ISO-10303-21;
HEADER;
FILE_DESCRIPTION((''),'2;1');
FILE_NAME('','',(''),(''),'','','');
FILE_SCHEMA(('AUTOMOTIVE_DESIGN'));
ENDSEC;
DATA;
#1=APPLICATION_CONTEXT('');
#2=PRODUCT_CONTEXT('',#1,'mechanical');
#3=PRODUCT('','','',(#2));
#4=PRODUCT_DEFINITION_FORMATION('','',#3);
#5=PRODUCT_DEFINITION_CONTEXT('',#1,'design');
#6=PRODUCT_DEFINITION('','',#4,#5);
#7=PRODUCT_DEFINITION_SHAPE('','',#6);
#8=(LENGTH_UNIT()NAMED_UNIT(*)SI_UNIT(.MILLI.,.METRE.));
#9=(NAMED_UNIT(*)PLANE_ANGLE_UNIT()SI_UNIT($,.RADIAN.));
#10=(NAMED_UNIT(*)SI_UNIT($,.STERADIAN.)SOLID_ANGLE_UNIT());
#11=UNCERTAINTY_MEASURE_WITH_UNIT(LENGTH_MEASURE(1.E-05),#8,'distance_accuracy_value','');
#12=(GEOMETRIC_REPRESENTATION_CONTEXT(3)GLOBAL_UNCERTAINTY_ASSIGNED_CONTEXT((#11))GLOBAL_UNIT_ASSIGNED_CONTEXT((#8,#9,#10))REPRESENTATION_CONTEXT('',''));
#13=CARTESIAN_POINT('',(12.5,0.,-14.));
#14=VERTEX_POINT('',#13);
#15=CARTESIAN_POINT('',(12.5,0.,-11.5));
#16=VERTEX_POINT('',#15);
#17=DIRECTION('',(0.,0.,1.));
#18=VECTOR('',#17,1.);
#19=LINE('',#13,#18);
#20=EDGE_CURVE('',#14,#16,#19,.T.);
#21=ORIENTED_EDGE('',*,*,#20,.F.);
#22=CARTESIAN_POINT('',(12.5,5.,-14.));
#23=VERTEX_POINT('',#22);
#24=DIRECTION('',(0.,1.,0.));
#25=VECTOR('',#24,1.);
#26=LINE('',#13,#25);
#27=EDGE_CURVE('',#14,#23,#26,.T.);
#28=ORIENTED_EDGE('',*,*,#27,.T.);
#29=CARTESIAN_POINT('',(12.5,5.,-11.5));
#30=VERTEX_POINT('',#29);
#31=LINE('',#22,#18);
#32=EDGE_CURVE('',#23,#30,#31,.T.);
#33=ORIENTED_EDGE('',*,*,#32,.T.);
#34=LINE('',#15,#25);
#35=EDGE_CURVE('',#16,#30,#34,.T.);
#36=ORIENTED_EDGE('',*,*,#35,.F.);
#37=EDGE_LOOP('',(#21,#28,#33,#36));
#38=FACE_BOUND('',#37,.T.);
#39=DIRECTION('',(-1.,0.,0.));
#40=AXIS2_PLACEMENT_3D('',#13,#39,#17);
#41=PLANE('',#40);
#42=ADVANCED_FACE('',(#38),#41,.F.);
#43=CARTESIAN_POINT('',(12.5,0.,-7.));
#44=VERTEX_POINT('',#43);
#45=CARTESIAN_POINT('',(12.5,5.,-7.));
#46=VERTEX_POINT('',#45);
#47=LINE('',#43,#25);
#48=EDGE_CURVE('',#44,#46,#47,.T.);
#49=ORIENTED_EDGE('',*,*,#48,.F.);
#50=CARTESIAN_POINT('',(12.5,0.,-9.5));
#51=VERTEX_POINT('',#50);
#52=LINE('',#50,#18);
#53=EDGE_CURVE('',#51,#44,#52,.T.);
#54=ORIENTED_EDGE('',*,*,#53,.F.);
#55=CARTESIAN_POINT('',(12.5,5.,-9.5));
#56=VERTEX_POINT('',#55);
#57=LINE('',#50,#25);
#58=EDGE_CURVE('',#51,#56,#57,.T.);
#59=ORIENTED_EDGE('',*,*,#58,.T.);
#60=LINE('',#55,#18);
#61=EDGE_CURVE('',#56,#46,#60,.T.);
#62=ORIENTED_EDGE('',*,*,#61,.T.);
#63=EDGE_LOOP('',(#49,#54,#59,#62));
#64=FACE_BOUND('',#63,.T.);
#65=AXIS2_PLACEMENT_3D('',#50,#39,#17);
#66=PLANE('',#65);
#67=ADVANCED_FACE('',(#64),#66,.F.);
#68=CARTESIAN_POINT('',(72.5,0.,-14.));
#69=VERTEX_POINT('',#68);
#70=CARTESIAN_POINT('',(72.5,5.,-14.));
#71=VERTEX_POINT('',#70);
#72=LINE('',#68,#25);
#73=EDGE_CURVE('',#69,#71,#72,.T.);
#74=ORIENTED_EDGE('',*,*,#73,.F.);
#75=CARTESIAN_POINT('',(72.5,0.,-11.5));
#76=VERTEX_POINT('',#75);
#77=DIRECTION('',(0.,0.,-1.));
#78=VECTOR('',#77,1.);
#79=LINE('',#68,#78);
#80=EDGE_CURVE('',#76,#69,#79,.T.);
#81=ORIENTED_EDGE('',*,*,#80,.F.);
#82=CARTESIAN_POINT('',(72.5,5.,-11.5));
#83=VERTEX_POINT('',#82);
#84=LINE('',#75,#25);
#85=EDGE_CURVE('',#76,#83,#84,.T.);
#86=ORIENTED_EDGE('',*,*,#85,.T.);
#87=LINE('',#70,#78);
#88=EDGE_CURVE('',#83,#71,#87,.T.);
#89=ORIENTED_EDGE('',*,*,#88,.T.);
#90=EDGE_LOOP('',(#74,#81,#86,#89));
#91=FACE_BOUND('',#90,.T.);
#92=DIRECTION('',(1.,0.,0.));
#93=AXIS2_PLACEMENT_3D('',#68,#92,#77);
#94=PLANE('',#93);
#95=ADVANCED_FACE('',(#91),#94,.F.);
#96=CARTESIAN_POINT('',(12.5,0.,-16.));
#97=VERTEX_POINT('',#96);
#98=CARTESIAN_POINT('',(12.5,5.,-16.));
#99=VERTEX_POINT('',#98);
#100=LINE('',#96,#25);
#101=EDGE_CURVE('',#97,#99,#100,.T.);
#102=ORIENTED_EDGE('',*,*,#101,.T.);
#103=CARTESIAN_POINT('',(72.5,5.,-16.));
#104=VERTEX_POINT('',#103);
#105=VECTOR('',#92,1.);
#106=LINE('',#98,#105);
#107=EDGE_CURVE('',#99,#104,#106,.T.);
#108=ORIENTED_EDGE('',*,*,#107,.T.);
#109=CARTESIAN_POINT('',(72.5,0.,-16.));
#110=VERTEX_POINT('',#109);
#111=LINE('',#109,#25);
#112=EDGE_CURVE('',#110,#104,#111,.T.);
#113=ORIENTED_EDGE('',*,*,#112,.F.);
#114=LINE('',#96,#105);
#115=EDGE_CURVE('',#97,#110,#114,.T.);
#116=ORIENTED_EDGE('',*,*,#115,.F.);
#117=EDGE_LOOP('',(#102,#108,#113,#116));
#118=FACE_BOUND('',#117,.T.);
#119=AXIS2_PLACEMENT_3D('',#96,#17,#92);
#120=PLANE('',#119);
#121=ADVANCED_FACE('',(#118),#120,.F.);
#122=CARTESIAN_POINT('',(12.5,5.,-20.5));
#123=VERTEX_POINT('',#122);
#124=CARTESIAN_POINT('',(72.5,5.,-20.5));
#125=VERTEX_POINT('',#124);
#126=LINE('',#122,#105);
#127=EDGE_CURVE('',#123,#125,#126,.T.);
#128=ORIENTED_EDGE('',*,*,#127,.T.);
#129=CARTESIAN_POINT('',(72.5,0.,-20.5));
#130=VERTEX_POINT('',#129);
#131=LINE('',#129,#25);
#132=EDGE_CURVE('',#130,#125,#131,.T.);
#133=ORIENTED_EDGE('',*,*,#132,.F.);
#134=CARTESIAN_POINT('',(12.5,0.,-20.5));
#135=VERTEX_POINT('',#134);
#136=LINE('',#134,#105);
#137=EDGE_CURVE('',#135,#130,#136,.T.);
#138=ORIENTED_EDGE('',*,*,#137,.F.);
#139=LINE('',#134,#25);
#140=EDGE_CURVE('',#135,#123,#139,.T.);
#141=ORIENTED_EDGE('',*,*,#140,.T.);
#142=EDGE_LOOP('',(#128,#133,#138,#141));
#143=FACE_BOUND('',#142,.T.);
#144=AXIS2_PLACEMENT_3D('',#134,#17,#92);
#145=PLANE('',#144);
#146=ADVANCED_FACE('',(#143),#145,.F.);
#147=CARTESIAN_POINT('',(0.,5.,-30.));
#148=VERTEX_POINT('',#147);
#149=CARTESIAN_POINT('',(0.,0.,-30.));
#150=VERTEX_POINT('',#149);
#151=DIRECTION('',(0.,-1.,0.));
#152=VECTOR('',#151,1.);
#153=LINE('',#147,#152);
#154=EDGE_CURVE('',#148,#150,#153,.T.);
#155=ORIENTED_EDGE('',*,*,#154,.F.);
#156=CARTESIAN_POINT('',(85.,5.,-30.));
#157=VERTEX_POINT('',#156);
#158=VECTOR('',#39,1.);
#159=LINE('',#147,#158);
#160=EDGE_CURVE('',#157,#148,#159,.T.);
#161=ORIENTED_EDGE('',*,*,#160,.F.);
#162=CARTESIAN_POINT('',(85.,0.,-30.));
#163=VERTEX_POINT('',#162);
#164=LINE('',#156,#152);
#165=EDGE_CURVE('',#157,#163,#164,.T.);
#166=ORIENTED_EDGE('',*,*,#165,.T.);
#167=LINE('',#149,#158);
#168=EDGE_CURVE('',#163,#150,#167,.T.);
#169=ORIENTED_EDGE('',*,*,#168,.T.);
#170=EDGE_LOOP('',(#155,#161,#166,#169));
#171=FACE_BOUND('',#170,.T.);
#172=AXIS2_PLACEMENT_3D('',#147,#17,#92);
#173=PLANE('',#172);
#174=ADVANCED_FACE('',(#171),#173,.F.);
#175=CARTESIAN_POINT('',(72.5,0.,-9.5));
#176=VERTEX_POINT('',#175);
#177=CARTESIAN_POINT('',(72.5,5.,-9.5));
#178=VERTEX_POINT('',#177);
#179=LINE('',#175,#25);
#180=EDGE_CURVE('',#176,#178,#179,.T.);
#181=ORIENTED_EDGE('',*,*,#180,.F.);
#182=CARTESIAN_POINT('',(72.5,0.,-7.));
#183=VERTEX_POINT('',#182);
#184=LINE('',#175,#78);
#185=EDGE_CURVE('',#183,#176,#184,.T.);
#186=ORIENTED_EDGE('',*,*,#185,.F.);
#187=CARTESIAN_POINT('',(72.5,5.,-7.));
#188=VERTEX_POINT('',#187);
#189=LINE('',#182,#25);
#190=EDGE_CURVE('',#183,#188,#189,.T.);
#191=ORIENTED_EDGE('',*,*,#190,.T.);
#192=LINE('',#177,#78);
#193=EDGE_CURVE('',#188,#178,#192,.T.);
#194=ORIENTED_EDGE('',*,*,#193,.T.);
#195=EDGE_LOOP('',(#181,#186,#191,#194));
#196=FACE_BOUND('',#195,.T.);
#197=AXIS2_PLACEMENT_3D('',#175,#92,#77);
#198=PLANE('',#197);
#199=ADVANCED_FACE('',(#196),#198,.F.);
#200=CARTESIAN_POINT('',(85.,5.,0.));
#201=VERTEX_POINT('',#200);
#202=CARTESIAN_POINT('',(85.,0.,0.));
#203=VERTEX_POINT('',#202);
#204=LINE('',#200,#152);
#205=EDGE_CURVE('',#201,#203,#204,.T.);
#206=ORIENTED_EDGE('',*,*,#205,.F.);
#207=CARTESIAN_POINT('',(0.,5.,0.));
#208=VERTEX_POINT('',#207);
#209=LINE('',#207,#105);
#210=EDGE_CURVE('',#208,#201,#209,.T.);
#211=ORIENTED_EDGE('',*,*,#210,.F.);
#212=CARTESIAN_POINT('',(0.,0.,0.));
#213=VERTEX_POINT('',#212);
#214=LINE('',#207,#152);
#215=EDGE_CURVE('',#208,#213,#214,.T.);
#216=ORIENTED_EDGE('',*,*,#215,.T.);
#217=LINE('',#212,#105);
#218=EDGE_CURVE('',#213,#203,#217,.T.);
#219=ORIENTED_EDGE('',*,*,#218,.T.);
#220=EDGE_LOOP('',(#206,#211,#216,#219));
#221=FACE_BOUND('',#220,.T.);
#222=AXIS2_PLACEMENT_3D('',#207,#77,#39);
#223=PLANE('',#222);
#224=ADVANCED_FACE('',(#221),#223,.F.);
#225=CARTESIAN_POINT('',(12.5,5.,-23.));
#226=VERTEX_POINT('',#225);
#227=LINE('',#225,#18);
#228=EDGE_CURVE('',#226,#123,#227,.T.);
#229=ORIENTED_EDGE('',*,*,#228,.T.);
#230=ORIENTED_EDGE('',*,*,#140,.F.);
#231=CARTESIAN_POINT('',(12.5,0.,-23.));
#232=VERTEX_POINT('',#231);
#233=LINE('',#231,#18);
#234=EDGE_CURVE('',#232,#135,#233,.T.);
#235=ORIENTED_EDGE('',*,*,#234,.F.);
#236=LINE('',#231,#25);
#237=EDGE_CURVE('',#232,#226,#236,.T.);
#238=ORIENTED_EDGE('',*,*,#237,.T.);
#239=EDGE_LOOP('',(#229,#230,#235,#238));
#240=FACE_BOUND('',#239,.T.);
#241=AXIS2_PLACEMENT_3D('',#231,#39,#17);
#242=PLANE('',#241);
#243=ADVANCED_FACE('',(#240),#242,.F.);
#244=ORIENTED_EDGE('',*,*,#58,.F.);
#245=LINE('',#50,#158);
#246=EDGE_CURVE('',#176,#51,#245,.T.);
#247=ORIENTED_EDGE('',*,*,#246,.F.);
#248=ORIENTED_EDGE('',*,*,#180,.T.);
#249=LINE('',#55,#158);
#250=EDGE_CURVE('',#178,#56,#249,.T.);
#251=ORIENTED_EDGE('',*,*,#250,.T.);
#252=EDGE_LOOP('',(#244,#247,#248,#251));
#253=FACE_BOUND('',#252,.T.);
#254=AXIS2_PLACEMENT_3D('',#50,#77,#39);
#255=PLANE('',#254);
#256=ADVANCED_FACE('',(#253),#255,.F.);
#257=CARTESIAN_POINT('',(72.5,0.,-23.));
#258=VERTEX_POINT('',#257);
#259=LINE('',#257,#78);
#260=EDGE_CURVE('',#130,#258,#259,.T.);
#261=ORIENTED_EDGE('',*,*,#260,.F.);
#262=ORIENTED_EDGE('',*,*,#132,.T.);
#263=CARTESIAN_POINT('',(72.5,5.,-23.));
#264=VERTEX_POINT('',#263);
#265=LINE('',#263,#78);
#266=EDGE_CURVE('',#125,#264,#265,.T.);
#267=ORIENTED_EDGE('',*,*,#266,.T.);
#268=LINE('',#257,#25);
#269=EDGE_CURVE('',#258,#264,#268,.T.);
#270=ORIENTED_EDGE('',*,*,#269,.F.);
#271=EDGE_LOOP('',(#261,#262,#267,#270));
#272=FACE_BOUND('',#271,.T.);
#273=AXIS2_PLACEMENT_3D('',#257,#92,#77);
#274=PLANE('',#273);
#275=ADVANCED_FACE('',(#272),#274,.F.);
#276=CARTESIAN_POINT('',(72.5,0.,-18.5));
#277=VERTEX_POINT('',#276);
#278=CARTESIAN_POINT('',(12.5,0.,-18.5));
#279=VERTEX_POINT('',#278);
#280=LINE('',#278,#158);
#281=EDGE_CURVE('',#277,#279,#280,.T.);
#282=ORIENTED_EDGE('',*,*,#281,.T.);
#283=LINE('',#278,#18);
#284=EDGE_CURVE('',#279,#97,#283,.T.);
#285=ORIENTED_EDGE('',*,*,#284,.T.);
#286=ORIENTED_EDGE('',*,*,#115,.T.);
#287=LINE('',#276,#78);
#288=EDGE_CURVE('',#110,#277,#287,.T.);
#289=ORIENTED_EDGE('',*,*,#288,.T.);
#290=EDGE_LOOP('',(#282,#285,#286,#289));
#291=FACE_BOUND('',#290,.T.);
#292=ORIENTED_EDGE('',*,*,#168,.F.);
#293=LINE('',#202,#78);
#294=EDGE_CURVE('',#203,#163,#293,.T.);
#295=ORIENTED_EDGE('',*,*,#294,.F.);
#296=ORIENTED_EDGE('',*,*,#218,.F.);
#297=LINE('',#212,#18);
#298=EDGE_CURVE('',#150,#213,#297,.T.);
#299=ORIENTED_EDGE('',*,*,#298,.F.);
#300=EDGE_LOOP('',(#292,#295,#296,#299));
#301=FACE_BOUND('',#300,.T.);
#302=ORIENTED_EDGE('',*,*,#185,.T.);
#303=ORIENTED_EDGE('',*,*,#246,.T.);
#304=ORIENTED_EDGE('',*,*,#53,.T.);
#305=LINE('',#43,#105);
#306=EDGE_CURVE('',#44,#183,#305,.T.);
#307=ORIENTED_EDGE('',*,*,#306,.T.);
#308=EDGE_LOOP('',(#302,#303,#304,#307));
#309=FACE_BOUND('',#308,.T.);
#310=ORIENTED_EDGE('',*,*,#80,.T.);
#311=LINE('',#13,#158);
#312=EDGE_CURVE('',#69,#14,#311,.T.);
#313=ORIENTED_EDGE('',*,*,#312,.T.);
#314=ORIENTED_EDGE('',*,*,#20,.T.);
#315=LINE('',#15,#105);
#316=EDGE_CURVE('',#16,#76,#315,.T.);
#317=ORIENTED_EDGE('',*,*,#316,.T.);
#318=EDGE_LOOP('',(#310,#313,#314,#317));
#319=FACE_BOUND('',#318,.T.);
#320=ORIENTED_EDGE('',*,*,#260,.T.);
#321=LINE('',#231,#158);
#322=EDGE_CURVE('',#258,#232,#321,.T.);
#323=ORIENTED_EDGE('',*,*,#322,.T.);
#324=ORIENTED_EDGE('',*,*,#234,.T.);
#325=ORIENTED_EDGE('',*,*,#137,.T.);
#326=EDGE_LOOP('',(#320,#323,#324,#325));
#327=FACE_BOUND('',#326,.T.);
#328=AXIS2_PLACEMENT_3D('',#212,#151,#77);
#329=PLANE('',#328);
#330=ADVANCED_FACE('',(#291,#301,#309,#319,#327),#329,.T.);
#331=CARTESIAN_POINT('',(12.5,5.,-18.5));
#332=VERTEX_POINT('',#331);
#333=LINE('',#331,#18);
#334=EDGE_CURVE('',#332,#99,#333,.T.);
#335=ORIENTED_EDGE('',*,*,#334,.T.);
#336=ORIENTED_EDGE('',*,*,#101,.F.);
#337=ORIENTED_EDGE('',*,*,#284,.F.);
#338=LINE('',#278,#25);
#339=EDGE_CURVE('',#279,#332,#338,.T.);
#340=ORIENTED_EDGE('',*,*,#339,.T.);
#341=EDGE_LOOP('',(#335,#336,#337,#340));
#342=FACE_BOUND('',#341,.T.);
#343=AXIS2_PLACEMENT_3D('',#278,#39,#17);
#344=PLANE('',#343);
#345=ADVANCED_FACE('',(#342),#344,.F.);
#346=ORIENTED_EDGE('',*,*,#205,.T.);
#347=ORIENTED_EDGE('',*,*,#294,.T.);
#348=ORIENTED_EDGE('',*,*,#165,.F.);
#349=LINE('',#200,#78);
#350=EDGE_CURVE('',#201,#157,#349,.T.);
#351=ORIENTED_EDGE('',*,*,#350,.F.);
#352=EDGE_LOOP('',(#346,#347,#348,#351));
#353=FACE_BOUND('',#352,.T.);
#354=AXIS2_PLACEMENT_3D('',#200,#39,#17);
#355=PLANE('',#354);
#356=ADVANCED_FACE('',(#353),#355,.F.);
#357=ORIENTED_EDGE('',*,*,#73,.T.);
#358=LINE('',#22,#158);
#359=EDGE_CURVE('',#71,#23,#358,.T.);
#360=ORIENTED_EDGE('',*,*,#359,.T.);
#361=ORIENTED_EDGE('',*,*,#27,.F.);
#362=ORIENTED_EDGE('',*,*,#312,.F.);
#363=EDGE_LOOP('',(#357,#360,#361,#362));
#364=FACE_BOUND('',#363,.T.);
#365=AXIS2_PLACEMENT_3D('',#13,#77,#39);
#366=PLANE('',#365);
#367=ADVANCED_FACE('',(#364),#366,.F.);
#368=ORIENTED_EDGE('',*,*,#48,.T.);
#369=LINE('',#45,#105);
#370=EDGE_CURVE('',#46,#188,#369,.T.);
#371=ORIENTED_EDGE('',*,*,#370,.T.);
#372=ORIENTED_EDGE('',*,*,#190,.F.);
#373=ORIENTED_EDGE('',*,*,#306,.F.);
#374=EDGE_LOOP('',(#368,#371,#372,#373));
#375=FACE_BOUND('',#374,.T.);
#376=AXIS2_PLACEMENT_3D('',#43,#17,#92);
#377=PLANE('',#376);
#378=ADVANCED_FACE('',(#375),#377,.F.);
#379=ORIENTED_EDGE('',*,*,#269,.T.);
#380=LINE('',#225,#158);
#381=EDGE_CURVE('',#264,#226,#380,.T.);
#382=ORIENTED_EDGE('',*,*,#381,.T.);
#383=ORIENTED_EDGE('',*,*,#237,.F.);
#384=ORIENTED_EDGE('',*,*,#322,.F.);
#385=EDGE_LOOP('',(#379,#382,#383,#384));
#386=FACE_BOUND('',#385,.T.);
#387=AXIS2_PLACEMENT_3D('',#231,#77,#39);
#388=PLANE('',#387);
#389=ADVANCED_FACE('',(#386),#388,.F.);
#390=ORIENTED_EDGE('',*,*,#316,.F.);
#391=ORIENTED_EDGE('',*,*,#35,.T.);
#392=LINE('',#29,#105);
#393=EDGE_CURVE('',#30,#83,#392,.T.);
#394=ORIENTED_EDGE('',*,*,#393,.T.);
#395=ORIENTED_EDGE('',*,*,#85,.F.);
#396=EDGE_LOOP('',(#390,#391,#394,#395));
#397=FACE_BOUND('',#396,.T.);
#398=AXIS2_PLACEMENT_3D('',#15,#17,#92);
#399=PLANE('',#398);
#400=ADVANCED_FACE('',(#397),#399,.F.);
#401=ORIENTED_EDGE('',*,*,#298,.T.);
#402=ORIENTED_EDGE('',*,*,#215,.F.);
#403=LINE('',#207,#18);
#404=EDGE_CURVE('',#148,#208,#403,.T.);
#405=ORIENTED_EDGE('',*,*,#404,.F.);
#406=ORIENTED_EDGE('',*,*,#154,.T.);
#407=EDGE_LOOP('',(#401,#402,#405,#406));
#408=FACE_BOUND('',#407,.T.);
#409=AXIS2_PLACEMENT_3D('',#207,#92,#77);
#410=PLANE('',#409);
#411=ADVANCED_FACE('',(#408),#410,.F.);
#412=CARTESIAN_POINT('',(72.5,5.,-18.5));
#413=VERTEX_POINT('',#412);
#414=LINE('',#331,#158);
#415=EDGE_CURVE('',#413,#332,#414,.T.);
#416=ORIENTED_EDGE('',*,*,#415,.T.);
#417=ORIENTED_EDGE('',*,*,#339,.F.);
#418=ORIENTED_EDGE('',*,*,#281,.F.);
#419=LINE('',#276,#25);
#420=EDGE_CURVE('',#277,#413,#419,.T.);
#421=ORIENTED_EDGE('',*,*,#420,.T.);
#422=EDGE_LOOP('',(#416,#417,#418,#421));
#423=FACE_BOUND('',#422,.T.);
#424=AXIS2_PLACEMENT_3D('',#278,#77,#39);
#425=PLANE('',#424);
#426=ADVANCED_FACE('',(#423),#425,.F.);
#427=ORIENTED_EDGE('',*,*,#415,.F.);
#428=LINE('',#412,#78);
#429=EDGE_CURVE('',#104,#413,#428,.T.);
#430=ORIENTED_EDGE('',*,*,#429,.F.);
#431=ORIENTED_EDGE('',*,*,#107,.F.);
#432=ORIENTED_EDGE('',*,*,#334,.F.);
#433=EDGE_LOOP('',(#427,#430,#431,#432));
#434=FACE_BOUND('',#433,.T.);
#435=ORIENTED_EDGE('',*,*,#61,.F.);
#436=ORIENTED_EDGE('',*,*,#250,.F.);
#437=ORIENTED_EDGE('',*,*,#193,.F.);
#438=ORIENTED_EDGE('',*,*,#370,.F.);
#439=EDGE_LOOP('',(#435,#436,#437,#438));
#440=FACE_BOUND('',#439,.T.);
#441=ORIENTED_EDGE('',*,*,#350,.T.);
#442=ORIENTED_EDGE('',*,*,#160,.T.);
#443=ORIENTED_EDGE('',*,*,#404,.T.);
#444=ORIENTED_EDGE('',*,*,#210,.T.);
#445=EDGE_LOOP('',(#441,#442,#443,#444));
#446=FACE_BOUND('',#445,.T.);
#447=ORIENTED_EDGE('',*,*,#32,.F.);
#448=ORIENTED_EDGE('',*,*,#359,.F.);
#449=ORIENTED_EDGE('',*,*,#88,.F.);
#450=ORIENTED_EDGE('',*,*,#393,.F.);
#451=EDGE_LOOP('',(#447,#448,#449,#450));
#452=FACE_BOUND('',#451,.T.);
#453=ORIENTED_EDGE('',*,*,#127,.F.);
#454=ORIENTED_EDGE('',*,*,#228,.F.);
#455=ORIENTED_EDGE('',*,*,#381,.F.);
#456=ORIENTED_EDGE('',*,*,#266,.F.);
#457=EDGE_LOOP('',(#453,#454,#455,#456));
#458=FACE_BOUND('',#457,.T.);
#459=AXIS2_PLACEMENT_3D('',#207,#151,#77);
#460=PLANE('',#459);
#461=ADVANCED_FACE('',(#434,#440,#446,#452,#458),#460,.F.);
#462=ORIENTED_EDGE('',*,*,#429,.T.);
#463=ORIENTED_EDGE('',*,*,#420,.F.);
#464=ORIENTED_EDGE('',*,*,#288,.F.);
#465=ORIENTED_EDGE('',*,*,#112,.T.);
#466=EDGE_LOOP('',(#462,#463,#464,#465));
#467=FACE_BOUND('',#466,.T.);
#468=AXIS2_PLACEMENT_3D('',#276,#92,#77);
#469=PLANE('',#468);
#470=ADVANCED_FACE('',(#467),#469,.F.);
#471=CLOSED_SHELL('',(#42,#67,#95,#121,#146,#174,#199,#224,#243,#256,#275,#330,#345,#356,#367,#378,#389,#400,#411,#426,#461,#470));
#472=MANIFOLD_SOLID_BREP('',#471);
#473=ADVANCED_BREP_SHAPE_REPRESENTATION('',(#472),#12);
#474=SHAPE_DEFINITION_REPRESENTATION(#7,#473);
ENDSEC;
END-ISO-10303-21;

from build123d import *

# Parameters (mm, degrees)
SKETCH1_W           = 85
SKETCH1_H           = 30
BOSS_EXTRUDE1_DEPTH = 5
SKETCH2_W           = 60
SKETCH2_H           = 2.5
CUT_EXTRUDE1_DEPTH  = 5


with BuildPart() as part:
    # Sketch1 → Boss-Extrude1 (new body)
    with BuildSketch(Plane(origin=(0, 0, 0), x_dir=(1, 0, 0), z_dir=(0, 1, 0))):
        with Locations((42.5, 15)):
            Rectangle(SKETCH1_W, SKETCH1_H)
    extrude(amount=BOSS_EXTRUDE1_DEPTH)

    # Sketch2 → Cut-Extrude1 (cut)
    with BuildSketch(Plane(origin=(0, 5, 0), x_dir=(1, 0, 0), z_dir=(0, 1, 0))):
        with Locations((42.5, 21.75)):
            Rectangle(SKETCH2_W, SKETCH2_H)
        with Locations((42.5, 17.25)):
            Rectangle(SKETCH2_W, SKETCH2_H)
        with Locations((42.5, 12.75)):
            Rectangle(SKETCH2_W, SKETCH2_H)
        with Locations((42.5, 8.25)):
            Rectangle(SKETCH2_W, SKETCH2_H)
    extrude(amount=-CUT_EXTRUDE1_DEPTH, mode=Mode.SUBTRACT)


solid = part.part
